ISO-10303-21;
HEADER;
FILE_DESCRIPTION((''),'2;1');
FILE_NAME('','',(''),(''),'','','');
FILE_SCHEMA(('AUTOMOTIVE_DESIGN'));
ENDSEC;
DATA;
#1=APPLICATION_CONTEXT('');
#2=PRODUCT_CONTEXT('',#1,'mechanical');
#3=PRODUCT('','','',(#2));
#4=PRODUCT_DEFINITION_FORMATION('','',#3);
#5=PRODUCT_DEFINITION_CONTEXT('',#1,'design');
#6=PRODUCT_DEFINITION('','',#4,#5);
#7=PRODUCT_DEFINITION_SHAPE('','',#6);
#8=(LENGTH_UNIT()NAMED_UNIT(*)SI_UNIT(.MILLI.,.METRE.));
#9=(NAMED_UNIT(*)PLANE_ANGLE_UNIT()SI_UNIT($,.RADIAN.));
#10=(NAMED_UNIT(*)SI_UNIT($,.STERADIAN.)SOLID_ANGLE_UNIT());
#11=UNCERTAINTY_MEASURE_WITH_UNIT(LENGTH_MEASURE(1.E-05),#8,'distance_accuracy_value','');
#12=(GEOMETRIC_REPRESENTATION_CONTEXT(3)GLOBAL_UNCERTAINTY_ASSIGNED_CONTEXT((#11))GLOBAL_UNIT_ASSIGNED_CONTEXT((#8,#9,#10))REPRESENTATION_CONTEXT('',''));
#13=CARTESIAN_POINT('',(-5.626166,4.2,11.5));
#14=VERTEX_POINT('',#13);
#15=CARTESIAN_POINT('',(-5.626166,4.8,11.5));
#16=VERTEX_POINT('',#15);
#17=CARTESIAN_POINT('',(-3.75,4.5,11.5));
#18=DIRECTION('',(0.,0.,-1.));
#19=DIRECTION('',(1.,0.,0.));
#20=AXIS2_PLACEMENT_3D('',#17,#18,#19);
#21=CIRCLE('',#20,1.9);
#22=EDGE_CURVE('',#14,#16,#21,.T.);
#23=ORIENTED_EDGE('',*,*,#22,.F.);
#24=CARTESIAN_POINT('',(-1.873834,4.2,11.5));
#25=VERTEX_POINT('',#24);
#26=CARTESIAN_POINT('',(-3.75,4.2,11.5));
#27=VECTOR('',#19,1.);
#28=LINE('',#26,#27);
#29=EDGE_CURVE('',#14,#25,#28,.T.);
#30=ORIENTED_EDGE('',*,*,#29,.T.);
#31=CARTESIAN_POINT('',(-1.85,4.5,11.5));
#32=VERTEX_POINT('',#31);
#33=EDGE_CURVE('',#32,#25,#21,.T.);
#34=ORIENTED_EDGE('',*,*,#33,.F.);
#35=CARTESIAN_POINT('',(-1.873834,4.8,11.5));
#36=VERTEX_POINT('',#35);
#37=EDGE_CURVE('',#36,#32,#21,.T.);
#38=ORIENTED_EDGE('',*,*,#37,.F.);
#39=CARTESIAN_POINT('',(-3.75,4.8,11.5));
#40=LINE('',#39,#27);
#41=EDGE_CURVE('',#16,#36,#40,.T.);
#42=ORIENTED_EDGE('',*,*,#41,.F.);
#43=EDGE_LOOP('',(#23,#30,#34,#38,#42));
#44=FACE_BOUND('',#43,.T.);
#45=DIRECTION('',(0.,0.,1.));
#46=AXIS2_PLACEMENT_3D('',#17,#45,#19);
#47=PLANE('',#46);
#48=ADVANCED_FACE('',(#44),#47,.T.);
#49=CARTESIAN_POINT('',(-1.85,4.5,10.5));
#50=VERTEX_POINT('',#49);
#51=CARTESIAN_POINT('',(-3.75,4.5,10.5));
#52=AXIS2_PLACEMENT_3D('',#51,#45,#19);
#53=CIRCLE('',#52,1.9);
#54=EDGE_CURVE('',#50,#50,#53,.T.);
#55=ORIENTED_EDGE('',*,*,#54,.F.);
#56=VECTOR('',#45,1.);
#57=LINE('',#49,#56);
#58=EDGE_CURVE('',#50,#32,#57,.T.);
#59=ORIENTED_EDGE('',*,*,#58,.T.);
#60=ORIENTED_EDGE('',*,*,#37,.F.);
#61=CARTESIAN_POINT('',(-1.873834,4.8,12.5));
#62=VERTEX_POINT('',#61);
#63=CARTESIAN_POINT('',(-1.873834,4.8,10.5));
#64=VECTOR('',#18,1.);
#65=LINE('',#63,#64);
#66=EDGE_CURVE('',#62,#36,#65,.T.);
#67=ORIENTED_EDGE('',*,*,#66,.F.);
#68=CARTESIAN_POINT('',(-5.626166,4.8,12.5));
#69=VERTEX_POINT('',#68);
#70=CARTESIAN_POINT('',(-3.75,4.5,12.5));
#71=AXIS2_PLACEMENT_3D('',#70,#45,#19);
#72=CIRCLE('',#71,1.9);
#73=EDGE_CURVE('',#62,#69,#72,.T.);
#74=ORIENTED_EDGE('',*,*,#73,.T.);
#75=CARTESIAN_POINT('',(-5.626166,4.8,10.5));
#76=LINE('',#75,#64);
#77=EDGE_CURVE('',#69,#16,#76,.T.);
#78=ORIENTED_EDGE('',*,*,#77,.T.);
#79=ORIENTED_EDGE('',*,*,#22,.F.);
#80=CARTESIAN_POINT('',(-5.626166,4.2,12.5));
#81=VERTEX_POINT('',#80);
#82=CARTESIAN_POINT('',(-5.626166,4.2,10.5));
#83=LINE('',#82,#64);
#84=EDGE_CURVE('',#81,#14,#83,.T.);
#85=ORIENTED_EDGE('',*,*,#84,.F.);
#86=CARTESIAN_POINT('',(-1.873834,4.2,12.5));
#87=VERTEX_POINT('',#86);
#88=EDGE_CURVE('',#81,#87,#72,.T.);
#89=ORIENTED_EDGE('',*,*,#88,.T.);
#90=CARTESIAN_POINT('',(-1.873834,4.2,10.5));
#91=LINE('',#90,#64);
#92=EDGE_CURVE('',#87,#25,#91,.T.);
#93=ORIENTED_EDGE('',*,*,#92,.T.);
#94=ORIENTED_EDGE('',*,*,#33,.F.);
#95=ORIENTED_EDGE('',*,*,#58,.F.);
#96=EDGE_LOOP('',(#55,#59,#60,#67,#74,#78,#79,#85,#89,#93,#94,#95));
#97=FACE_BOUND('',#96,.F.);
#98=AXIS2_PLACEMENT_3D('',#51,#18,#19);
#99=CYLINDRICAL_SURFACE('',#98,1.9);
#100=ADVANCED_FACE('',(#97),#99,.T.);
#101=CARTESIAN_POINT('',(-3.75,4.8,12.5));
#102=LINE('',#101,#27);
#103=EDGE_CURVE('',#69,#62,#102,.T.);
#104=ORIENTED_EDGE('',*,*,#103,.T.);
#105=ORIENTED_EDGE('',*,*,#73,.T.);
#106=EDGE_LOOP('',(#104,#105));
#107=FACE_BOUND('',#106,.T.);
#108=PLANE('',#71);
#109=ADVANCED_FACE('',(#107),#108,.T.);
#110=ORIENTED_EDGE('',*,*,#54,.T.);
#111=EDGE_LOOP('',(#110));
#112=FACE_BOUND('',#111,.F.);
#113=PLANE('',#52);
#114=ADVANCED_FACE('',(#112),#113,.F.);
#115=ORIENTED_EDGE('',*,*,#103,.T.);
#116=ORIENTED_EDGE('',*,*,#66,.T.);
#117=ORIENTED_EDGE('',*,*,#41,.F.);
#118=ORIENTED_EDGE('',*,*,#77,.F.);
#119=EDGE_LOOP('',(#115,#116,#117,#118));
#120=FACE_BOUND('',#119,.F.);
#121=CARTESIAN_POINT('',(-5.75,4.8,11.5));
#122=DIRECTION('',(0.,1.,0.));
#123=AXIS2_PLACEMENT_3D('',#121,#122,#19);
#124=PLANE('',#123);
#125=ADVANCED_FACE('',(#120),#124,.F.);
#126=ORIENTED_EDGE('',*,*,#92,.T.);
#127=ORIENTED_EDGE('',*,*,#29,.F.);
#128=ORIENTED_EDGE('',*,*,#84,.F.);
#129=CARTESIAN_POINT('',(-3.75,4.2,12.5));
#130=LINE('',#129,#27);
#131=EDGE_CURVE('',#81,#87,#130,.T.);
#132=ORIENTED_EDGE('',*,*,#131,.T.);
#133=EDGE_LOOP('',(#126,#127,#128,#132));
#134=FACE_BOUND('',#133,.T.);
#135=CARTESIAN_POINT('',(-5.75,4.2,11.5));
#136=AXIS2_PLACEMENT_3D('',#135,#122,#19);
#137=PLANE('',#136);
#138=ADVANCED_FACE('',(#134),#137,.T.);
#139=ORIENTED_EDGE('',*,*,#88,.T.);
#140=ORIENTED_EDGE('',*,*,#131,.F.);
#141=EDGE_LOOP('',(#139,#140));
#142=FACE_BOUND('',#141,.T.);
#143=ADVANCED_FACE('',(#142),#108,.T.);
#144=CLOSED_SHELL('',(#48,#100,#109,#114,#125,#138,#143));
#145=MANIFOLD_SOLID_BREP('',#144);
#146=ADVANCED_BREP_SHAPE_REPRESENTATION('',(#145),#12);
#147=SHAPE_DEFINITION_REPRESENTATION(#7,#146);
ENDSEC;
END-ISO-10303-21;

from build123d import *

# Parameters (mm, degrees)
BOX004_W          = 4
BOX004_H          = 0.6
BOX004_DEPTH      = 1
CYLINDER002_R     = 1.9
CYLINDER002_DEPTH = 2


with BuildPart() as cube002:
    # Box004 → Box004 (new body)
    with BuildSketch(Plane(origin=(-2, -0.3, 1), x_dir=(1, 0, 0), z_dir=(0, 0, 1))):
        with Locations((2, 0.3)):
            Rectangle(BOX004_W, BOX004_H)
    extrude(amount=BOX004_DEPTH)


with BuildPart() as cut004:
    # Cylinder002 → Cylinder002 (new body)
    with BuildSketch(Plane.XY):
        Circle(CYLINDER002_R)
    extrude(amount=CYLINDER002_DEPTH)

    # Cut004: cut Cube002
    add(cube002.part, mode=Mode.SUBTRACT)


with BuildPart() as cut004_1:
    # Cut004 placement: moved
    add(cut004.part.moved(Location((-3.75, 4.5, 10.5))))


solid = cut004_1.part
